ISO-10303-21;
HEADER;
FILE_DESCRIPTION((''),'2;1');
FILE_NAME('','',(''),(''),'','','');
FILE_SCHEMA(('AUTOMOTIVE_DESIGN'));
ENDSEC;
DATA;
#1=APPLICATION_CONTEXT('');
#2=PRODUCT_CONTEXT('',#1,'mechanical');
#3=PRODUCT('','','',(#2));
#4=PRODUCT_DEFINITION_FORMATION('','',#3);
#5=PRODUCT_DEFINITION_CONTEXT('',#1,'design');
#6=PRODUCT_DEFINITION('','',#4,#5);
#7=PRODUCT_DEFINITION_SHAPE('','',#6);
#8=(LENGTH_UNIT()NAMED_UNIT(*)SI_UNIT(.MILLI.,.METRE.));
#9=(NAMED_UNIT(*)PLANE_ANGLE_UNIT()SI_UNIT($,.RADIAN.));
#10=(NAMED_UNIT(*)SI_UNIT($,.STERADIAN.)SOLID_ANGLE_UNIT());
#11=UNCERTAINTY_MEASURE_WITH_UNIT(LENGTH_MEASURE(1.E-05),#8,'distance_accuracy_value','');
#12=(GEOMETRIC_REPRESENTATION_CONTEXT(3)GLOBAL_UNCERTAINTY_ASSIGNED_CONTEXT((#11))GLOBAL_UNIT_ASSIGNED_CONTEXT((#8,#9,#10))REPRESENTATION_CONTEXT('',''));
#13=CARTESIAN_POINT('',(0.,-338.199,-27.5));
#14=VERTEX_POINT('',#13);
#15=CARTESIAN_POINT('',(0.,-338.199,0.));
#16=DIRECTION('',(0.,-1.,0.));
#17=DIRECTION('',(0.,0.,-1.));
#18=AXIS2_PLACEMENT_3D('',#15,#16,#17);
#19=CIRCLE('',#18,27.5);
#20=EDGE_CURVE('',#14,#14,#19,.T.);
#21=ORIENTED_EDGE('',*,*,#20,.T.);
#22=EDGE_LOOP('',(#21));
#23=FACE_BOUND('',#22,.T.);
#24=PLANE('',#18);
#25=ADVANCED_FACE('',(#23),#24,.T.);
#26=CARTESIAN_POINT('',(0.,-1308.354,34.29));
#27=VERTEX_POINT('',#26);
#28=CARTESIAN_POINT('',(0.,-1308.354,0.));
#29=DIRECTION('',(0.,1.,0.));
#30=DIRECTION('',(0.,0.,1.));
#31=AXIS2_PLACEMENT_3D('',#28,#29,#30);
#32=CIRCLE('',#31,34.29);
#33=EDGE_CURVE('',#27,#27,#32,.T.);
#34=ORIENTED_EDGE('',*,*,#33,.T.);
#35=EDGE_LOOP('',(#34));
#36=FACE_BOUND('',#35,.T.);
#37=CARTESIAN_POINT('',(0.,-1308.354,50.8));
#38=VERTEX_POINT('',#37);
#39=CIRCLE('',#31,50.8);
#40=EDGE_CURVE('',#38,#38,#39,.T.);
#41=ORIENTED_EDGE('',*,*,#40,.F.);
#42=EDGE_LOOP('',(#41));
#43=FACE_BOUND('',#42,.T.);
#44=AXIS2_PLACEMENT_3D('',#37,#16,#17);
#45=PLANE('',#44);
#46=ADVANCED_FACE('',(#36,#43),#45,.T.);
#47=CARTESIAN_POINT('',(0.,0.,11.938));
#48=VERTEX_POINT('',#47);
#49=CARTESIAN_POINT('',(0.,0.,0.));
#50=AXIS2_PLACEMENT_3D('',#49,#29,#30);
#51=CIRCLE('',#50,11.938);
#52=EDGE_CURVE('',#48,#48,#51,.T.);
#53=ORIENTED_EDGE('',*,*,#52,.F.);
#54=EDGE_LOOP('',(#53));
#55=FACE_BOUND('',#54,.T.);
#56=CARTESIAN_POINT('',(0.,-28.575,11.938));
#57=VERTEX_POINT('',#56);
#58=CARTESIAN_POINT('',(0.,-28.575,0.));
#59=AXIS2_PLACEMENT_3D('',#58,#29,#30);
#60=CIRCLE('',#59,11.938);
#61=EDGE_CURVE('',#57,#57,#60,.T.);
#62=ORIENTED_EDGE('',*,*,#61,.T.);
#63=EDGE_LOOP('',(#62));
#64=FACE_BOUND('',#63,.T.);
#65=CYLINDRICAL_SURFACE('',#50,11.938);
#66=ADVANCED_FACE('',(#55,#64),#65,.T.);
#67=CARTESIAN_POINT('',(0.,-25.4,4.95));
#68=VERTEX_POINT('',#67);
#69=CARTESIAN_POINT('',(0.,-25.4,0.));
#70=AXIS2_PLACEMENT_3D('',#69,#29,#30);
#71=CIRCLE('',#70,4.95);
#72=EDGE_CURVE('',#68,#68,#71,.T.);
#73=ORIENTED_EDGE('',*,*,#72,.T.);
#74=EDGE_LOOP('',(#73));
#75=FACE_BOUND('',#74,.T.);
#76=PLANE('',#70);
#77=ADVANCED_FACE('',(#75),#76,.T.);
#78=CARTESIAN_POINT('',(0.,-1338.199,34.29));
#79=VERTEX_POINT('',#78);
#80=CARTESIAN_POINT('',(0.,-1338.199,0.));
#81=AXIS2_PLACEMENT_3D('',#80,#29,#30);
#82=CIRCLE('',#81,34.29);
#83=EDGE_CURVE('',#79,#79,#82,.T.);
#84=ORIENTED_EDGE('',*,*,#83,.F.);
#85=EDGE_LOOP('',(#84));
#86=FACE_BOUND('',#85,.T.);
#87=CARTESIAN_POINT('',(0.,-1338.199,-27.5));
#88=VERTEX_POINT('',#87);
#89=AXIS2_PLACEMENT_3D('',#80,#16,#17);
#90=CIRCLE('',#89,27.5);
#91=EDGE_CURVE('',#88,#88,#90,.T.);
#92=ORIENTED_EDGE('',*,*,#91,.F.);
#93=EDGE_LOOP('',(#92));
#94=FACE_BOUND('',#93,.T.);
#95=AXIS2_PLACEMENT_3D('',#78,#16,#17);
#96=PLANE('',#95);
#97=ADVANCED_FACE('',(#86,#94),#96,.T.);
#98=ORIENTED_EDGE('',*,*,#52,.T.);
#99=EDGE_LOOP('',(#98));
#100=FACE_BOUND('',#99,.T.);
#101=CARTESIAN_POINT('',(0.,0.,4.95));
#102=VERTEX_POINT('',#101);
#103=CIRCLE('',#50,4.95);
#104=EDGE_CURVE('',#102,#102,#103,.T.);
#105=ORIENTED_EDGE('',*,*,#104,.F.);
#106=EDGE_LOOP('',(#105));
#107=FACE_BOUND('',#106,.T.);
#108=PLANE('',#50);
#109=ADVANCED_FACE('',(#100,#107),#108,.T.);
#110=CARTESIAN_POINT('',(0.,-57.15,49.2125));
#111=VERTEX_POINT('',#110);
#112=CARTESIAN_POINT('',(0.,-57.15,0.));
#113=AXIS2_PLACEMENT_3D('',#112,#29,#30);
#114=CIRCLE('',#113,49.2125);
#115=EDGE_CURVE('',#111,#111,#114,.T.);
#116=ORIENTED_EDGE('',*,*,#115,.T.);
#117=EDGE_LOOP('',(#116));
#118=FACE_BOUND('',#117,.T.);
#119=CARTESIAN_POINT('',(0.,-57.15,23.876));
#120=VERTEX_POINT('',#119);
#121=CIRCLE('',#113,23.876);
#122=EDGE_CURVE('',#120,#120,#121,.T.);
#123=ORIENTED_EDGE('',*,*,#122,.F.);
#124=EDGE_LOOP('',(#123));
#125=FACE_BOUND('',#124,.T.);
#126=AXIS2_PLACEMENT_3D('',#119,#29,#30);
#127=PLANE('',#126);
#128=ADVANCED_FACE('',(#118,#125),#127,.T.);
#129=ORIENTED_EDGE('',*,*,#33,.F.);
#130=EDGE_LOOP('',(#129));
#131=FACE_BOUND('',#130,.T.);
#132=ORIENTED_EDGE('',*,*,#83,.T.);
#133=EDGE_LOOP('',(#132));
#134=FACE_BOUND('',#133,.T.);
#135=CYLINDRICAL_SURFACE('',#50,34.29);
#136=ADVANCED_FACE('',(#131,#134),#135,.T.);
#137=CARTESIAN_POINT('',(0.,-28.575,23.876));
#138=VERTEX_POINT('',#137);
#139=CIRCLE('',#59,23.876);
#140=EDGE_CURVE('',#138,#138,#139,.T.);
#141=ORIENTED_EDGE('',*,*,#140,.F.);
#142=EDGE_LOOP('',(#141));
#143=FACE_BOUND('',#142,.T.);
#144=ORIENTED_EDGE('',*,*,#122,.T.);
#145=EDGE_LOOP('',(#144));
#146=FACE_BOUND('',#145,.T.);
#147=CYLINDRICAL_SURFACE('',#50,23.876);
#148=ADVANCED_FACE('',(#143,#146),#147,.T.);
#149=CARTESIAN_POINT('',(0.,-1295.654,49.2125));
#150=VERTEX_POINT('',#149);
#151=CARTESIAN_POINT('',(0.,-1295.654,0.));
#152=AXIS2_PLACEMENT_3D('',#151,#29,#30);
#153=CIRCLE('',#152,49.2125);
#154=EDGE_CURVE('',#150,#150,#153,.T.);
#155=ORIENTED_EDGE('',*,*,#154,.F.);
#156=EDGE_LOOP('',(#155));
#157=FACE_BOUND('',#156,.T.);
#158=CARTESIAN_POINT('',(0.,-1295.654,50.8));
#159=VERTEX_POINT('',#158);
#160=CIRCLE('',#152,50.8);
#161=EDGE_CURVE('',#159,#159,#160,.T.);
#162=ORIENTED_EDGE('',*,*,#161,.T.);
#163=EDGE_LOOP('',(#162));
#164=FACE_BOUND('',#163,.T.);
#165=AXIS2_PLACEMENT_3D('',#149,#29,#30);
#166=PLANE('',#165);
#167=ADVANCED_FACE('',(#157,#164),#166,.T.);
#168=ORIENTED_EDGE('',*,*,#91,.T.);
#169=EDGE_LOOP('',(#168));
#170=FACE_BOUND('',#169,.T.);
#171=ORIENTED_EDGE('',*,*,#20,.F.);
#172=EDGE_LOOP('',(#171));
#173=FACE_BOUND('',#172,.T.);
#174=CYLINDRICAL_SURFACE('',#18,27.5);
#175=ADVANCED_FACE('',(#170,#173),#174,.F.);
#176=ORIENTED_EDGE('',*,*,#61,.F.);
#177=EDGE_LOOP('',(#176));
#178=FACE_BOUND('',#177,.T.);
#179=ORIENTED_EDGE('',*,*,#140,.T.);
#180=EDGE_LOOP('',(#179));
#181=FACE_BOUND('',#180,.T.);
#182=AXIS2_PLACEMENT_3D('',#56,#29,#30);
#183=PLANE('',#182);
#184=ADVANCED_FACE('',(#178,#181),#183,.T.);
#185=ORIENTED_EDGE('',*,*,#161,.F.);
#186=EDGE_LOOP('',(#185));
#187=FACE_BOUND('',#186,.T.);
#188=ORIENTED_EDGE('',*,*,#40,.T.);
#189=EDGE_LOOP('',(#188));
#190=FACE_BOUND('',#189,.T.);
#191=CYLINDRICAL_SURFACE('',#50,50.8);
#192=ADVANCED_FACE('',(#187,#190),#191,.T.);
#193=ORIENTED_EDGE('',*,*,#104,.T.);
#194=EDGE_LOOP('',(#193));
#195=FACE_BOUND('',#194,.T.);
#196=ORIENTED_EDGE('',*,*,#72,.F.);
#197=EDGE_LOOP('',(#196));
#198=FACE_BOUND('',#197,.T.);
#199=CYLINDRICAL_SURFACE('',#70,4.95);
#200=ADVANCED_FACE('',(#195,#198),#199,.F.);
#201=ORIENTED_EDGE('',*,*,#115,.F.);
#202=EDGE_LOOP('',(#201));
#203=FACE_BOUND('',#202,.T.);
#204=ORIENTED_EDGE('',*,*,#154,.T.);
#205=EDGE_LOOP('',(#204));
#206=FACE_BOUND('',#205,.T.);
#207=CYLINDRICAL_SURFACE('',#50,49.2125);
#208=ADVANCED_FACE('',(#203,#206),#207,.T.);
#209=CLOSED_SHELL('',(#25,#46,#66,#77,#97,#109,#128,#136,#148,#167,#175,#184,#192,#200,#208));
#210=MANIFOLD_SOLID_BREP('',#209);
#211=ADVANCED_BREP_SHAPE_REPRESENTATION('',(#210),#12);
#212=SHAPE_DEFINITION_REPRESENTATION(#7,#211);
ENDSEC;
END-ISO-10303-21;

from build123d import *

# Parameters (mm, degrees)
SKETCH2_R          = 4.95
CUT_EXTRUDE1_DEPTH = 25.4
SKETCH5_R          = 27.5
CUT_EXTRUDE3_DEPTH = 1000


with BuildPart() as part:
    # Sketch1 → Revolve1 (revolve)
    with BuildSketch(Plane(origin=(0, 0, 0), x_dir=(0, 0, -1), z_dir=(1, 0, 0))):
        Polygon((0, 0), (-11.938, 0), (-11.938, -28.575), (-23.876, -28.575), (-23.876, -57.15), (-49.2125, -57.15), (-49.2125, -1295.654), (-50.8, -1295.654), (-50.8, -1308.354), (-34.29, -1308.354), (-34.29, -1338.199), (0, -1338.199), align=None)
    revolve(axis=Axis((0, 0, 0), (0, -1, 0)))

    # Sketch2 → Cut-Extrude1 (cut)
    with BuildSketch(Plane(origin=(0, 0, 0), x_dir=(1, 0, 0), z_dir=(0, 1, 0))):
        with Locations(Location((0, 0, 0), (0, 0, 270))):
            Circle(SKETCH2_R)
    extrude(amount=-CUT_EXTRUDE1_DEPTH, mode=Mode.SUBTRACT)

    # Sketch5 → Cut-Extrude3 (cut)
    with BuildSketch(Plane.XZ.offset(1338.199)):
        with Locations(Location((0, 0, 0), (0, 0, 270))):
            Circle(SKETCH5_R)
    extrude(amount=-CUT_EXTRUDE3_DEPTH, mode=Mode.SUBTRACT)


solid = part.part
